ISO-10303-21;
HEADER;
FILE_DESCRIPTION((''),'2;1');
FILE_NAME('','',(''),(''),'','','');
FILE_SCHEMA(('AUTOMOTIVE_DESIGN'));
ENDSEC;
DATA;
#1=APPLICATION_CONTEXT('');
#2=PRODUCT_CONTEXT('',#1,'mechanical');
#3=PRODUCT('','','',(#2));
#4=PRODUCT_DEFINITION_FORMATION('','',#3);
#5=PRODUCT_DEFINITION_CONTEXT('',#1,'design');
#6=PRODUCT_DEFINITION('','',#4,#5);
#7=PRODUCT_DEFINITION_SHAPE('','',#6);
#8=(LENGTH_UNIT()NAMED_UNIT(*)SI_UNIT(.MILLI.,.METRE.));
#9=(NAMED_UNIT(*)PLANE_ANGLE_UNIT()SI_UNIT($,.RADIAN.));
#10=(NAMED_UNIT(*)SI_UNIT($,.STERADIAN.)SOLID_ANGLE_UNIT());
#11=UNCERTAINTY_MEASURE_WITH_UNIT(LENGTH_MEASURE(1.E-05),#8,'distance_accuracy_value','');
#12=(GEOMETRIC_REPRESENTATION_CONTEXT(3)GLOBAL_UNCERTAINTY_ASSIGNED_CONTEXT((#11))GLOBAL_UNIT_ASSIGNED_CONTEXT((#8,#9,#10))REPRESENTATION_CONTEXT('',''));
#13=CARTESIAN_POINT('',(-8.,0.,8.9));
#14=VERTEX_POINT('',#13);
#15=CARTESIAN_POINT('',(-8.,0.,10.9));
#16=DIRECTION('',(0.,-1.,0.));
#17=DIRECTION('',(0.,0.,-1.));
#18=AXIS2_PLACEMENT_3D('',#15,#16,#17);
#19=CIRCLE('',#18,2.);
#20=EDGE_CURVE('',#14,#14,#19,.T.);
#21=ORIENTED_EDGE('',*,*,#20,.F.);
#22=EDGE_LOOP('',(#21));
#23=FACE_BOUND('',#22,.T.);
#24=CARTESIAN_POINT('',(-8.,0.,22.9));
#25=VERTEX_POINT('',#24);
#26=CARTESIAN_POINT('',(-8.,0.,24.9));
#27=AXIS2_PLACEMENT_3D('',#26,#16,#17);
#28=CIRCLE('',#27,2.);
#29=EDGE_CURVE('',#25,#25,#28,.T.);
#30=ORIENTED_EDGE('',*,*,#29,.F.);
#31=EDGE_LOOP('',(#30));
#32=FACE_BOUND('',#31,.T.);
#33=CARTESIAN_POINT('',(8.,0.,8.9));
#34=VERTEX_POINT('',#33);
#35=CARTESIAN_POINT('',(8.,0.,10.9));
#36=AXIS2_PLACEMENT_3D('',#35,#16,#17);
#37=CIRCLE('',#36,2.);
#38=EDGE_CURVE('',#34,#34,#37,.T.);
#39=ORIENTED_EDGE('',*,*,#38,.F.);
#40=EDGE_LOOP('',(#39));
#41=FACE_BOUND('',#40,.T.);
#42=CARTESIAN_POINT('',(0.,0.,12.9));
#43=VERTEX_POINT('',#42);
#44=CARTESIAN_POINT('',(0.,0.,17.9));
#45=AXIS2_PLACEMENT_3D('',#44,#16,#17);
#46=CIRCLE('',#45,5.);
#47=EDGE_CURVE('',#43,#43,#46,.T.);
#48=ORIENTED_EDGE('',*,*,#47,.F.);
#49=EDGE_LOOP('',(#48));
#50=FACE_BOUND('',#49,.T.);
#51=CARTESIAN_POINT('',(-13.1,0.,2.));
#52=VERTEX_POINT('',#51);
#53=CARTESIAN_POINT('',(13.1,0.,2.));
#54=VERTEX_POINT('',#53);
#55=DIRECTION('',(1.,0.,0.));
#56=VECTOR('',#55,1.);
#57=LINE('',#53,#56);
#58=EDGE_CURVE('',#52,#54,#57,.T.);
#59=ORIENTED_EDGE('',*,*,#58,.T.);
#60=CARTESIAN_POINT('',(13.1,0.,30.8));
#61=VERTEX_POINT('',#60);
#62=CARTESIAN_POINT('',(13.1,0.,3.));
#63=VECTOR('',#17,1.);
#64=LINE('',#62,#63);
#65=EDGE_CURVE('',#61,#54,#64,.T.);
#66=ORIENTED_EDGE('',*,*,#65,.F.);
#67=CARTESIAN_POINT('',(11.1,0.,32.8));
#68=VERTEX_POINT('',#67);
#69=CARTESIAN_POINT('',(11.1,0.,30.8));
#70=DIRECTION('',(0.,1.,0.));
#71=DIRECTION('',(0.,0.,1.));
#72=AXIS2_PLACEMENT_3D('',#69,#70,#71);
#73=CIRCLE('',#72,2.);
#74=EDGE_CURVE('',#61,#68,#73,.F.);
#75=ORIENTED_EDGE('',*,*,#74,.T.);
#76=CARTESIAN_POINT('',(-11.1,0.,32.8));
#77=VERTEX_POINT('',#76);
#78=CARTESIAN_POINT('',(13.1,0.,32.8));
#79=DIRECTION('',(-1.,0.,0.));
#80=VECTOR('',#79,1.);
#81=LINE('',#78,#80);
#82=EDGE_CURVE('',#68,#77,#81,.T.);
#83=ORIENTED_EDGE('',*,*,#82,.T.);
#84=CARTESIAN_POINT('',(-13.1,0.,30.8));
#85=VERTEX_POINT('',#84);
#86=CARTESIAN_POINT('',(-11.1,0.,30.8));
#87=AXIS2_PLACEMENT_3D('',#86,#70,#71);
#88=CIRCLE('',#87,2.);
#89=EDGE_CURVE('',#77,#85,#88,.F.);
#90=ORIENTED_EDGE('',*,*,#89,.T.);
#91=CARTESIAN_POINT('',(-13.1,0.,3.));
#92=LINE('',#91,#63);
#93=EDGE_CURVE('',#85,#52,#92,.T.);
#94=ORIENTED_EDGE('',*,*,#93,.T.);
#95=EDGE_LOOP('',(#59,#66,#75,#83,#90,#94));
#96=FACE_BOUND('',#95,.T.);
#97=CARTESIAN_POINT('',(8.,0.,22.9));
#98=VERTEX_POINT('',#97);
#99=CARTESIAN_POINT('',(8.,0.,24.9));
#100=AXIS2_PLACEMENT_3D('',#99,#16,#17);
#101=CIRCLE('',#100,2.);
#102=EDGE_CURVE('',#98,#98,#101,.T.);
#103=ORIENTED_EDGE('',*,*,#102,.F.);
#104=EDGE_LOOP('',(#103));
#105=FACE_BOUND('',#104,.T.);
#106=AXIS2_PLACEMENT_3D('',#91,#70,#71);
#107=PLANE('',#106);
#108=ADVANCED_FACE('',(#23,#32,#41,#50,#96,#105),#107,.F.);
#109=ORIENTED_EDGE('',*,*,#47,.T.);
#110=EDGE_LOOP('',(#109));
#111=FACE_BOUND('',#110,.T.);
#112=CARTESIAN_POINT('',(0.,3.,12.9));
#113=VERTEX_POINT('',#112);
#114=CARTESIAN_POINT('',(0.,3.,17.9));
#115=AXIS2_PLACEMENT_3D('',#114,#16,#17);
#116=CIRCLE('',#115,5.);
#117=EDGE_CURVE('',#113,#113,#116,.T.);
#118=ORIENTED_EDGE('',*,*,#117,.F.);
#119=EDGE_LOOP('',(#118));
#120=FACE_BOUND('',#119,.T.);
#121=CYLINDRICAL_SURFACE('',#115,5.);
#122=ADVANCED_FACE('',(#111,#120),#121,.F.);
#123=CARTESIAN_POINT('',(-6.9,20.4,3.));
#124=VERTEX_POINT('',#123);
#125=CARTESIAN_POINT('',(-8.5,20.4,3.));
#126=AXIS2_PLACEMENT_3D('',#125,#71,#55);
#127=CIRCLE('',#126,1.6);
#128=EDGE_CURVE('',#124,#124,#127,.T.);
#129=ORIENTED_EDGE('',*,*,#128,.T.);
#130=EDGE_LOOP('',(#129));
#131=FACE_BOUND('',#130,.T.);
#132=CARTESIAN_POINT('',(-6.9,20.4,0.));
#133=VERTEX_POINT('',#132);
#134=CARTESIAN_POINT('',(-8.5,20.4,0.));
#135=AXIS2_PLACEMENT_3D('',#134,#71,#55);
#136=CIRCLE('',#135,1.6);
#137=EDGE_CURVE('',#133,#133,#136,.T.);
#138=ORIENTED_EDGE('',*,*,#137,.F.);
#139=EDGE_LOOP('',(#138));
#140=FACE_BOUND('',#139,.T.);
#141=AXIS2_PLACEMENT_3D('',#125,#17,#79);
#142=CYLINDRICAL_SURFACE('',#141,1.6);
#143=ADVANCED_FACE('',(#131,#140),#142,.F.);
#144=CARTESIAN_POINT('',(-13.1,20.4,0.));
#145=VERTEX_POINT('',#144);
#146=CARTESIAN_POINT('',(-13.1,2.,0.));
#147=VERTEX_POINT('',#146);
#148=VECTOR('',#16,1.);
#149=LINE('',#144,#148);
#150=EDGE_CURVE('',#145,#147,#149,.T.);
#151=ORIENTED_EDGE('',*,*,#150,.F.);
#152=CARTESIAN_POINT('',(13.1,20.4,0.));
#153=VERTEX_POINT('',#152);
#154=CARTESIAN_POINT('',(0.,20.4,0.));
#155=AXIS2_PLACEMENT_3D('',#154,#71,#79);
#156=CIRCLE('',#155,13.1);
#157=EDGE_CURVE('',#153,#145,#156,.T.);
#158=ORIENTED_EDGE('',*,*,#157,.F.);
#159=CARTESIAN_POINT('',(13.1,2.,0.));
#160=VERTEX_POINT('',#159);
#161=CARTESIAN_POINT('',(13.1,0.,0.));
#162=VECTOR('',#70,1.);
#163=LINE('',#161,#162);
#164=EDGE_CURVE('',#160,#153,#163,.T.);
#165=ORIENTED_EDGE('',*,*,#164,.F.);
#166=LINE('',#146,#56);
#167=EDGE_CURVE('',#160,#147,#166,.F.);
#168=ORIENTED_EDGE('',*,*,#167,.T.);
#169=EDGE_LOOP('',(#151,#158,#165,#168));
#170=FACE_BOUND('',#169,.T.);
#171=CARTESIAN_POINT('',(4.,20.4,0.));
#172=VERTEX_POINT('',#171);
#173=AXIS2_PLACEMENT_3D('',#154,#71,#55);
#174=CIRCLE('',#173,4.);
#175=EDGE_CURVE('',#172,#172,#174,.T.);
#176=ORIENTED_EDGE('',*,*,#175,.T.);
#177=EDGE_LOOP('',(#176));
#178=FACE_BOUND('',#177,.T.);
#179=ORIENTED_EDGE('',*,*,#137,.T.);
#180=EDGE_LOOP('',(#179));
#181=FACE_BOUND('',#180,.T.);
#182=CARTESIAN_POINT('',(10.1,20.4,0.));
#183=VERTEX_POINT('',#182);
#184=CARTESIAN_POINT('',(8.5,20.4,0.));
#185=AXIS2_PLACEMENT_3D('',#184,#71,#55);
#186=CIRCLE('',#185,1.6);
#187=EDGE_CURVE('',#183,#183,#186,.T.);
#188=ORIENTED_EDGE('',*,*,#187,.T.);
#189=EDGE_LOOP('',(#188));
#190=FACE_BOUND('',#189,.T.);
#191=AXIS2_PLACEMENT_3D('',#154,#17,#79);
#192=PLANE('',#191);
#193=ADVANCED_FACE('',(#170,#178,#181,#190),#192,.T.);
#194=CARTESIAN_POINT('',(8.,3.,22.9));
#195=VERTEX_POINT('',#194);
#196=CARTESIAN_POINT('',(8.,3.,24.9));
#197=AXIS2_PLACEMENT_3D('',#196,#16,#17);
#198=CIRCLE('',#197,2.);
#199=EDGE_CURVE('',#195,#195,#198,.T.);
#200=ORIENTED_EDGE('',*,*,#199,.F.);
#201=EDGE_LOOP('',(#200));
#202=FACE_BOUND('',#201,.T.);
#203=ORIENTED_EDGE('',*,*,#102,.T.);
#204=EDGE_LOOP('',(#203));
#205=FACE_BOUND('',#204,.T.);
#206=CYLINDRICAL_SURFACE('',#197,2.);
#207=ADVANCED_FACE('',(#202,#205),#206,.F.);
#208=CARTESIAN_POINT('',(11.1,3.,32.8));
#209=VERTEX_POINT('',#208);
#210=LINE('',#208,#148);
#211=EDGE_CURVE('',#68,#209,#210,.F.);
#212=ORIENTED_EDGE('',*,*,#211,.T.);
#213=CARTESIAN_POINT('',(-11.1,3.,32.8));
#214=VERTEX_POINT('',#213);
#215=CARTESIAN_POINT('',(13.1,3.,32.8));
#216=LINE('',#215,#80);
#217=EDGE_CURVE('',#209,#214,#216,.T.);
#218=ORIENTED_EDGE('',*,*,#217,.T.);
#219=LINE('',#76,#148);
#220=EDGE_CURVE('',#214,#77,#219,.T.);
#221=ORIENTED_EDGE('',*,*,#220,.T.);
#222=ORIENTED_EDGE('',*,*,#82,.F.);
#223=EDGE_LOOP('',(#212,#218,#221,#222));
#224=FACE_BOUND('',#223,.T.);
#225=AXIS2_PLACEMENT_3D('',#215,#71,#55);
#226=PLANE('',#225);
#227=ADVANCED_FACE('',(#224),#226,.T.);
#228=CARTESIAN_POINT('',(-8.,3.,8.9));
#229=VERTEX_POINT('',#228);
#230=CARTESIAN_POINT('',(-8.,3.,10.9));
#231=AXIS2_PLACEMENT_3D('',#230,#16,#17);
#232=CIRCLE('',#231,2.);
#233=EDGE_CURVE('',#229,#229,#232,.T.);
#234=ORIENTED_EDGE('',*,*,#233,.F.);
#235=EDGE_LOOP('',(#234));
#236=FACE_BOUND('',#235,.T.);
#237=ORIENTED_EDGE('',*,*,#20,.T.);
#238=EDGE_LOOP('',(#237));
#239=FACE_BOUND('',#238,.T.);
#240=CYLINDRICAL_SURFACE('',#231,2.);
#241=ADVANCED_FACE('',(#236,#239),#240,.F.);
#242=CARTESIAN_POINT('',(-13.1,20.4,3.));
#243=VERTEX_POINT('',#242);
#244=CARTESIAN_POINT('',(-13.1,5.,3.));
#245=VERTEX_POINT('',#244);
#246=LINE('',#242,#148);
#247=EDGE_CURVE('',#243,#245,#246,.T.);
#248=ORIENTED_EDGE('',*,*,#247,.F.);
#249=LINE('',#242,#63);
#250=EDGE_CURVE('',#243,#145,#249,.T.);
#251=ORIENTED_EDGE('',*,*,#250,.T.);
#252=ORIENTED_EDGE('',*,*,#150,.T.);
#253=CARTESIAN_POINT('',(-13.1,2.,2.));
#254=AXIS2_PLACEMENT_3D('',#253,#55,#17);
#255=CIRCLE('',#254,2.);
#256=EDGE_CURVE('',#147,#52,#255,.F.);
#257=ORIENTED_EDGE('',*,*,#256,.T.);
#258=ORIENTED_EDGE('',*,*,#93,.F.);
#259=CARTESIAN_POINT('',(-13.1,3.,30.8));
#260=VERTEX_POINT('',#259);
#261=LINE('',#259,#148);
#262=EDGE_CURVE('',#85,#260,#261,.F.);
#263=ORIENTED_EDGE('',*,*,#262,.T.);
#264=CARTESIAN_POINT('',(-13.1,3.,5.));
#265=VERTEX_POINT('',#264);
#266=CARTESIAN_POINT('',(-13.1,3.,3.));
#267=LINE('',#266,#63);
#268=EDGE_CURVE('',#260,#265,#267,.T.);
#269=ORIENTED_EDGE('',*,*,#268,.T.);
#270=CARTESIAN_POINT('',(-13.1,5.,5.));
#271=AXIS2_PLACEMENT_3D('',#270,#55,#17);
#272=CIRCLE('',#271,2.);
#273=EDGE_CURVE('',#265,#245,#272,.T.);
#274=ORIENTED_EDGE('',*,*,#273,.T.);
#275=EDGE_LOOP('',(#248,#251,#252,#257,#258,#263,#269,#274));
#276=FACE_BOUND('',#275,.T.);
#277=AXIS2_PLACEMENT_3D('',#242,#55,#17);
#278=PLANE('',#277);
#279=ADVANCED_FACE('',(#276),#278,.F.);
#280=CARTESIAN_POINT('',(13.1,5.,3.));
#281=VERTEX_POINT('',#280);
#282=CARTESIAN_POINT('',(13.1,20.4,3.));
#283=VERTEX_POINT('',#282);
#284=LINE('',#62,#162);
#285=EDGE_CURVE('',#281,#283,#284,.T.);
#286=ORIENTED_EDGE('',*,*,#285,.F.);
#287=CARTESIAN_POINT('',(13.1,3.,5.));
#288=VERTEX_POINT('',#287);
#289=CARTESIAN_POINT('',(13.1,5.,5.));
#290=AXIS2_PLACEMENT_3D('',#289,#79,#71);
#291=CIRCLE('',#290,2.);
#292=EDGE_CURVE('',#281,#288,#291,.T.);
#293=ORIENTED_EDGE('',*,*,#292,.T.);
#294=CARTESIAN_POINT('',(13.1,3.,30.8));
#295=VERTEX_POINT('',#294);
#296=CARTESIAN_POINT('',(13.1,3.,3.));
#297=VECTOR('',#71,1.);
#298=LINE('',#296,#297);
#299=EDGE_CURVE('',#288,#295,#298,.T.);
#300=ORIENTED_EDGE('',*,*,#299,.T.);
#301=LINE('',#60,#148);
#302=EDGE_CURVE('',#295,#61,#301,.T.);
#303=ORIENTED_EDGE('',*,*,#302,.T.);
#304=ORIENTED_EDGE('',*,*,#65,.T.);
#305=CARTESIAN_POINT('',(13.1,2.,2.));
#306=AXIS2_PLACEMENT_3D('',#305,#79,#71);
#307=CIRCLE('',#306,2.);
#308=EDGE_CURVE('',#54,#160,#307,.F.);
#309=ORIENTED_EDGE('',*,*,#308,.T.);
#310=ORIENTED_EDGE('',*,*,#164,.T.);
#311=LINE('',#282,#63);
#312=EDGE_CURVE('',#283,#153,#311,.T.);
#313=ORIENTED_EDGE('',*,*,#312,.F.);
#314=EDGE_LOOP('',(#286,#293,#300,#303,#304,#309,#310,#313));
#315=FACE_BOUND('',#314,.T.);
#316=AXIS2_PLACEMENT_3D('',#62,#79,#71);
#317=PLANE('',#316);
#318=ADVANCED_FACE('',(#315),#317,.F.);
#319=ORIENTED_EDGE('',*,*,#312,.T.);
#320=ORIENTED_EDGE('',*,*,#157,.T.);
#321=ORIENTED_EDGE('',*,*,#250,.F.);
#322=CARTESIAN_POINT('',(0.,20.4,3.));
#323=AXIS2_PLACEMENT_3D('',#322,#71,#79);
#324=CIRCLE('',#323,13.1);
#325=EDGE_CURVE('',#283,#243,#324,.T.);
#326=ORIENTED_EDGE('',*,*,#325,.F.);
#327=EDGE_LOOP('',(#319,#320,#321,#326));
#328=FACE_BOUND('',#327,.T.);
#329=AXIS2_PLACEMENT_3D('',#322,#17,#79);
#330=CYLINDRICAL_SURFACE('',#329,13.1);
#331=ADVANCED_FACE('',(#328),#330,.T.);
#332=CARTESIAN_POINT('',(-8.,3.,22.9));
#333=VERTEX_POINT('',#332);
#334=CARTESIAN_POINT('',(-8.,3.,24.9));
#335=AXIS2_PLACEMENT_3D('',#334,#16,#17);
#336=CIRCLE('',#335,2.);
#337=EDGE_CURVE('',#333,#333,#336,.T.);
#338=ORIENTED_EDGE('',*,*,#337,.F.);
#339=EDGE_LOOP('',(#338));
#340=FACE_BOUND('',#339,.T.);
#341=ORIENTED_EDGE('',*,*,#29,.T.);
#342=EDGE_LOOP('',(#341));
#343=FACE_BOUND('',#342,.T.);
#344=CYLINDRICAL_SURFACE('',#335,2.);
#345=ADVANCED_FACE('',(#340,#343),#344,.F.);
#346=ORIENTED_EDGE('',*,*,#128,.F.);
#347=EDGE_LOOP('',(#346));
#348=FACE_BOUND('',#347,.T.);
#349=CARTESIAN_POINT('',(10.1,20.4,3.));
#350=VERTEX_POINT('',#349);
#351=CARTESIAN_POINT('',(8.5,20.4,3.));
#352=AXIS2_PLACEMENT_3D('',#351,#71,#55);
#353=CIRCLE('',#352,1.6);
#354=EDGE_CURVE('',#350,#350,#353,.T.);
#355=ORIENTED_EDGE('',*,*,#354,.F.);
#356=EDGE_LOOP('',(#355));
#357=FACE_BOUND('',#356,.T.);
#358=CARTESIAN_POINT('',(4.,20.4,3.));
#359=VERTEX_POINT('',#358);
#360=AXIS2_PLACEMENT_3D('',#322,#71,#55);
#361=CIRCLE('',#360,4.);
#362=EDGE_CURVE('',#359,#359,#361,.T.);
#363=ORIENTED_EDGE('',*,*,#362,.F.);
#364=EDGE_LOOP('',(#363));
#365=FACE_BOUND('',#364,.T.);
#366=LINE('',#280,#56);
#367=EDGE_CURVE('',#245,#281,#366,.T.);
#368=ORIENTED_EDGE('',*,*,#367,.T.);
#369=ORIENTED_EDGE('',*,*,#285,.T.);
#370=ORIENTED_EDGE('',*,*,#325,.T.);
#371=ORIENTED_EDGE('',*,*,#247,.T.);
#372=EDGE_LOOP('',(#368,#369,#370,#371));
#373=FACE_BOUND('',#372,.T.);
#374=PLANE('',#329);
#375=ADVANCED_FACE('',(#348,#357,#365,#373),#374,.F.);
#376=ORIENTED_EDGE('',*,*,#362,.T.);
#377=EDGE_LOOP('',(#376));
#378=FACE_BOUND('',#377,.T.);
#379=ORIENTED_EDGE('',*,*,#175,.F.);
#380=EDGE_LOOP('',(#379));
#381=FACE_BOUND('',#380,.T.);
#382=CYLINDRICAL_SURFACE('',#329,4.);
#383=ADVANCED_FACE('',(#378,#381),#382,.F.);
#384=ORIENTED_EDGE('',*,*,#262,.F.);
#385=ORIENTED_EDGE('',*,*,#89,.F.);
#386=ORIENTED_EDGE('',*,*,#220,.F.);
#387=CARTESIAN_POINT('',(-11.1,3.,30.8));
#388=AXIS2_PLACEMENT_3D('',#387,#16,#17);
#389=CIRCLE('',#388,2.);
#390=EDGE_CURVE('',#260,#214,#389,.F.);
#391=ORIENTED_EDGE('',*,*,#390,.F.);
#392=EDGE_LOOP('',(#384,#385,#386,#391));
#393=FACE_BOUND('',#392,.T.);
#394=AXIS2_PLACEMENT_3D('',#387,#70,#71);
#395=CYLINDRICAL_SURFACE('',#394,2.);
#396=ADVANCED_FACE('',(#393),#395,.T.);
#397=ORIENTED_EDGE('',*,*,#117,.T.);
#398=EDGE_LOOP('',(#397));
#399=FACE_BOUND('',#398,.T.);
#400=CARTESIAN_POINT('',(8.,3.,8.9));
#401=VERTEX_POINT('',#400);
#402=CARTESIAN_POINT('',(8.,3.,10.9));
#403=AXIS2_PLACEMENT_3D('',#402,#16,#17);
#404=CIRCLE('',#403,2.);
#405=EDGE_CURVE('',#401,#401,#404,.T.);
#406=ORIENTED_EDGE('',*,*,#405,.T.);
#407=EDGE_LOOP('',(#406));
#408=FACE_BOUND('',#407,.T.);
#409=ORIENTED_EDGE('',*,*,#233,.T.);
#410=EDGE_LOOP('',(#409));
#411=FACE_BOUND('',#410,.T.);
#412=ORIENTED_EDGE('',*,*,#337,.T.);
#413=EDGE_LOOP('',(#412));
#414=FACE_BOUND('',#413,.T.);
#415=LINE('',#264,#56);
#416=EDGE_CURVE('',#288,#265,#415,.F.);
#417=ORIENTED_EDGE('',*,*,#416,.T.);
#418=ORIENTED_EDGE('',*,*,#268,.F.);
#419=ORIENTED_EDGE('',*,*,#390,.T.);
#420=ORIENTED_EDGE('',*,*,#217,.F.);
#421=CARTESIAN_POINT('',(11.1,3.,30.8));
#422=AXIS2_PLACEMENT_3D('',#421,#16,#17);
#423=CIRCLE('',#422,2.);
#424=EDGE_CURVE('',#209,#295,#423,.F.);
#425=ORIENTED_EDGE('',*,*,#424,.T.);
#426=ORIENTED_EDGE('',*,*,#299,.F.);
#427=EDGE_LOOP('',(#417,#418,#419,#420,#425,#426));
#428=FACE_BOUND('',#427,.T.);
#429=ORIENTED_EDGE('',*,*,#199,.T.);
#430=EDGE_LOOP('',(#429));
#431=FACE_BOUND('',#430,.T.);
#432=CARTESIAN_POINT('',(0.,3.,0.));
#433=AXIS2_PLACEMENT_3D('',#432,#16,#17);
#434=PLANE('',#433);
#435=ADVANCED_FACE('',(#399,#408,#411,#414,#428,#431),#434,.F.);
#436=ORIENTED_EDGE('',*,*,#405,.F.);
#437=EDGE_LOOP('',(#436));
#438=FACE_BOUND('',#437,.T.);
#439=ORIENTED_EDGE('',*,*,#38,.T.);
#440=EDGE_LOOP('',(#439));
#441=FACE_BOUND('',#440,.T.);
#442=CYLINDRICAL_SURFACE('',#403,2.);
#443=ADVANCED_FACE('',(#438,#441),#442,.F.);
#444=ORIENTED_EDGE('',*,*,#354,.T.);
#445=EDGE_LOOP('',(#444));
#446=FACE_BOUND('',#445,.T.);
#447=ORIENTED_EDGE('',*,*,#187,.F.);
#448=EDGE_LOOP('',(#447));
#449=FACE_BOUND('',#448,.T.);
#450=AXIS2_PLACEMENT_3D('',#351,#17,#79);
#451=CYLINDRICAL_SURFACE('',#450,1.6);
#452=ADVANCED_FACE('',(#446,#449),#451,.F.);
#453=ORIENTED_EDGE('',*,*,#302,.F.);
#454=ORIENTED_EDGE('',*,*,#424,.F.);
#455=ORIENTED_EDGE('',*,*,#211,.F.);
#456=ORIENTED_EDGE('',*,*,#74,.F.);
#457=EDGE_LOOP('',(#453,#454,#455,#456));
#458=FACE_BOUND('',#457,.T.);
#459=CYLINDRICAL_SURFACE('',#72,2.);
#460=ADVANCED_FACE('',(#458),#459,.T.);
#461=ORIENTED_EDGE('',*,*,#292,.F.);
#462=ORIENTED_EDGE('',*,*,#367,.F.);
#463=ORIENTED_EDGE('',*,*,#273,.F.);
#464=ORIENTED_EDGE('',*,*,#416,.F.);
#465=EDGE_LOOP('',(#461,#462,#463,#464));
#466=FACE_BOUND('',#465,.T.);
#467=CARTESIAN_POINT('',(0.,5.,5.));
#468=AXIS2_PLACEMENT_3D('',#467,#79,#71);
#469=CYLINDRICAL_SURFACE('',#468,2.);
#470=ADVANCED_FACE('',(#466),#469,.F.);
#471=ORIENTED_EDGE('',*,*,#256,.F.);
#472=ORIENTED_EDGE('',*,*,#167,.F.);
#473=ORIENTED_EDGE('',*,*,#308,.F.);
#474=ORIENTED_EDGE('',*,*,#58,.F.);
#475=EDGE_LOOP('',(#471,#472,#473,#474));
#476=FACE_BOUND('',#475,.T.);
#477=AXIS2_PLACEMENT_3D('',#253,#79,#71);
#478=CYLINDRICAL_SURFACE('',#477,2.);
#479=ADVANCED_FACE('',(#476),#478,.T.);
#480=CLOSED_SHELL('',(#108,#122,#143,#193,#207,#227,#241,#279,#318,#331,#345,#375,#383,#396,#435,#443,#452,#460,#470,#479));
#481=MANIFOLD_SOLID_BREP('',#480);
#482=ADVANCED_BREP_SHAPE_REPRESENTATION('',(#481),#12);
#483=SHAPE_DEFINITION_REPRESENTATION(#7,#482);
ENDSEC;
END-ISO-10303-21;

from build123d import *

# Parameters (mm, degrees)
SKETCH1_R           = 4
SKETCH1_R_2         = 1.6
BOSS_EXTRUDE1_DEPTH = 3
SKETCH2_W           = 26.2
SKETCH2_H           = 29.8
SKETCH2_R           = 2
SKETCH2_R_2         = 5
BOSS_EXTRUDE2_DEPTH = 3
FILLET1_R           = 2


with BuildPart() as part:
    # Sketch1 → Boss-Extrude1 (new body)
    with BuildSketch(Plane.XY):
        with BuildLine():
            Line((-13.1, 20.4), (-13.1, 0))
            Line((-13.1, 0), (13.1, 0))
            Line((13.1, 0), (13.1, 20.4))
            ThreePointArc((13.1, 20.4), (0, 33.5), (-13.1, 20.4))
        make_face()
        with Locations((0, 20.4)):
            Circle(SKETCH1_R, mode=Mode.SUBTRACT)
        with Locations((-8.5, 20.4)):
            Circle(SKETCH1_R_2, mode=Mode.SUBTRACT)
        with Locations((8.5, 20.4)):
            Circle(SKETCH1_R_2, mode=Mode.SUBTRACT)
    extrude(amount=BOSS_EXTRUDE1_DEPTH)

    # Sketch2 → Boss-Extrude2 (add)
    with BuildSketch(Plane.XZ):
        with Locations((0, 17.9)):
            Rectangle(SKETCH2_W, SKETCH2_H)
        with Locations((8, 24.9)):
            Circle(SKETCH2_R, mode=Mode.SUBTRACT)
        with Locations((8, 10.9)):
            Circle(SKETCH2_R, mode=Mode.SUBTRACT)
        with Locations((-8, 10.9)):
            Circle(SKETCH2_R, mode=Mode.SUBTRACT)
        with Locations((-8, 24.9)):
            Circle(SKETCH2_R, mode=Mode.SUBTRACT)
        with Locations((0, 17.9)):
            Circle(SKETCH2_R_2, mode=Mode.SUBTRACT)
    extrude(amount=-BOSS_EXTRUDE2_DEPTH)

    # Fillet1
    fillet1_edges = [part.edges().sort_by_distance(p)[0] for p in [
        (13.1, 1.5, 32.8),
        (0, 3, 3),
        (-13.1, 1.5, 32.8),
        (0, 0, 0),
    ]]
    fillet(fillet1_edges, radius=FILLET1_R)


solid = part.part
